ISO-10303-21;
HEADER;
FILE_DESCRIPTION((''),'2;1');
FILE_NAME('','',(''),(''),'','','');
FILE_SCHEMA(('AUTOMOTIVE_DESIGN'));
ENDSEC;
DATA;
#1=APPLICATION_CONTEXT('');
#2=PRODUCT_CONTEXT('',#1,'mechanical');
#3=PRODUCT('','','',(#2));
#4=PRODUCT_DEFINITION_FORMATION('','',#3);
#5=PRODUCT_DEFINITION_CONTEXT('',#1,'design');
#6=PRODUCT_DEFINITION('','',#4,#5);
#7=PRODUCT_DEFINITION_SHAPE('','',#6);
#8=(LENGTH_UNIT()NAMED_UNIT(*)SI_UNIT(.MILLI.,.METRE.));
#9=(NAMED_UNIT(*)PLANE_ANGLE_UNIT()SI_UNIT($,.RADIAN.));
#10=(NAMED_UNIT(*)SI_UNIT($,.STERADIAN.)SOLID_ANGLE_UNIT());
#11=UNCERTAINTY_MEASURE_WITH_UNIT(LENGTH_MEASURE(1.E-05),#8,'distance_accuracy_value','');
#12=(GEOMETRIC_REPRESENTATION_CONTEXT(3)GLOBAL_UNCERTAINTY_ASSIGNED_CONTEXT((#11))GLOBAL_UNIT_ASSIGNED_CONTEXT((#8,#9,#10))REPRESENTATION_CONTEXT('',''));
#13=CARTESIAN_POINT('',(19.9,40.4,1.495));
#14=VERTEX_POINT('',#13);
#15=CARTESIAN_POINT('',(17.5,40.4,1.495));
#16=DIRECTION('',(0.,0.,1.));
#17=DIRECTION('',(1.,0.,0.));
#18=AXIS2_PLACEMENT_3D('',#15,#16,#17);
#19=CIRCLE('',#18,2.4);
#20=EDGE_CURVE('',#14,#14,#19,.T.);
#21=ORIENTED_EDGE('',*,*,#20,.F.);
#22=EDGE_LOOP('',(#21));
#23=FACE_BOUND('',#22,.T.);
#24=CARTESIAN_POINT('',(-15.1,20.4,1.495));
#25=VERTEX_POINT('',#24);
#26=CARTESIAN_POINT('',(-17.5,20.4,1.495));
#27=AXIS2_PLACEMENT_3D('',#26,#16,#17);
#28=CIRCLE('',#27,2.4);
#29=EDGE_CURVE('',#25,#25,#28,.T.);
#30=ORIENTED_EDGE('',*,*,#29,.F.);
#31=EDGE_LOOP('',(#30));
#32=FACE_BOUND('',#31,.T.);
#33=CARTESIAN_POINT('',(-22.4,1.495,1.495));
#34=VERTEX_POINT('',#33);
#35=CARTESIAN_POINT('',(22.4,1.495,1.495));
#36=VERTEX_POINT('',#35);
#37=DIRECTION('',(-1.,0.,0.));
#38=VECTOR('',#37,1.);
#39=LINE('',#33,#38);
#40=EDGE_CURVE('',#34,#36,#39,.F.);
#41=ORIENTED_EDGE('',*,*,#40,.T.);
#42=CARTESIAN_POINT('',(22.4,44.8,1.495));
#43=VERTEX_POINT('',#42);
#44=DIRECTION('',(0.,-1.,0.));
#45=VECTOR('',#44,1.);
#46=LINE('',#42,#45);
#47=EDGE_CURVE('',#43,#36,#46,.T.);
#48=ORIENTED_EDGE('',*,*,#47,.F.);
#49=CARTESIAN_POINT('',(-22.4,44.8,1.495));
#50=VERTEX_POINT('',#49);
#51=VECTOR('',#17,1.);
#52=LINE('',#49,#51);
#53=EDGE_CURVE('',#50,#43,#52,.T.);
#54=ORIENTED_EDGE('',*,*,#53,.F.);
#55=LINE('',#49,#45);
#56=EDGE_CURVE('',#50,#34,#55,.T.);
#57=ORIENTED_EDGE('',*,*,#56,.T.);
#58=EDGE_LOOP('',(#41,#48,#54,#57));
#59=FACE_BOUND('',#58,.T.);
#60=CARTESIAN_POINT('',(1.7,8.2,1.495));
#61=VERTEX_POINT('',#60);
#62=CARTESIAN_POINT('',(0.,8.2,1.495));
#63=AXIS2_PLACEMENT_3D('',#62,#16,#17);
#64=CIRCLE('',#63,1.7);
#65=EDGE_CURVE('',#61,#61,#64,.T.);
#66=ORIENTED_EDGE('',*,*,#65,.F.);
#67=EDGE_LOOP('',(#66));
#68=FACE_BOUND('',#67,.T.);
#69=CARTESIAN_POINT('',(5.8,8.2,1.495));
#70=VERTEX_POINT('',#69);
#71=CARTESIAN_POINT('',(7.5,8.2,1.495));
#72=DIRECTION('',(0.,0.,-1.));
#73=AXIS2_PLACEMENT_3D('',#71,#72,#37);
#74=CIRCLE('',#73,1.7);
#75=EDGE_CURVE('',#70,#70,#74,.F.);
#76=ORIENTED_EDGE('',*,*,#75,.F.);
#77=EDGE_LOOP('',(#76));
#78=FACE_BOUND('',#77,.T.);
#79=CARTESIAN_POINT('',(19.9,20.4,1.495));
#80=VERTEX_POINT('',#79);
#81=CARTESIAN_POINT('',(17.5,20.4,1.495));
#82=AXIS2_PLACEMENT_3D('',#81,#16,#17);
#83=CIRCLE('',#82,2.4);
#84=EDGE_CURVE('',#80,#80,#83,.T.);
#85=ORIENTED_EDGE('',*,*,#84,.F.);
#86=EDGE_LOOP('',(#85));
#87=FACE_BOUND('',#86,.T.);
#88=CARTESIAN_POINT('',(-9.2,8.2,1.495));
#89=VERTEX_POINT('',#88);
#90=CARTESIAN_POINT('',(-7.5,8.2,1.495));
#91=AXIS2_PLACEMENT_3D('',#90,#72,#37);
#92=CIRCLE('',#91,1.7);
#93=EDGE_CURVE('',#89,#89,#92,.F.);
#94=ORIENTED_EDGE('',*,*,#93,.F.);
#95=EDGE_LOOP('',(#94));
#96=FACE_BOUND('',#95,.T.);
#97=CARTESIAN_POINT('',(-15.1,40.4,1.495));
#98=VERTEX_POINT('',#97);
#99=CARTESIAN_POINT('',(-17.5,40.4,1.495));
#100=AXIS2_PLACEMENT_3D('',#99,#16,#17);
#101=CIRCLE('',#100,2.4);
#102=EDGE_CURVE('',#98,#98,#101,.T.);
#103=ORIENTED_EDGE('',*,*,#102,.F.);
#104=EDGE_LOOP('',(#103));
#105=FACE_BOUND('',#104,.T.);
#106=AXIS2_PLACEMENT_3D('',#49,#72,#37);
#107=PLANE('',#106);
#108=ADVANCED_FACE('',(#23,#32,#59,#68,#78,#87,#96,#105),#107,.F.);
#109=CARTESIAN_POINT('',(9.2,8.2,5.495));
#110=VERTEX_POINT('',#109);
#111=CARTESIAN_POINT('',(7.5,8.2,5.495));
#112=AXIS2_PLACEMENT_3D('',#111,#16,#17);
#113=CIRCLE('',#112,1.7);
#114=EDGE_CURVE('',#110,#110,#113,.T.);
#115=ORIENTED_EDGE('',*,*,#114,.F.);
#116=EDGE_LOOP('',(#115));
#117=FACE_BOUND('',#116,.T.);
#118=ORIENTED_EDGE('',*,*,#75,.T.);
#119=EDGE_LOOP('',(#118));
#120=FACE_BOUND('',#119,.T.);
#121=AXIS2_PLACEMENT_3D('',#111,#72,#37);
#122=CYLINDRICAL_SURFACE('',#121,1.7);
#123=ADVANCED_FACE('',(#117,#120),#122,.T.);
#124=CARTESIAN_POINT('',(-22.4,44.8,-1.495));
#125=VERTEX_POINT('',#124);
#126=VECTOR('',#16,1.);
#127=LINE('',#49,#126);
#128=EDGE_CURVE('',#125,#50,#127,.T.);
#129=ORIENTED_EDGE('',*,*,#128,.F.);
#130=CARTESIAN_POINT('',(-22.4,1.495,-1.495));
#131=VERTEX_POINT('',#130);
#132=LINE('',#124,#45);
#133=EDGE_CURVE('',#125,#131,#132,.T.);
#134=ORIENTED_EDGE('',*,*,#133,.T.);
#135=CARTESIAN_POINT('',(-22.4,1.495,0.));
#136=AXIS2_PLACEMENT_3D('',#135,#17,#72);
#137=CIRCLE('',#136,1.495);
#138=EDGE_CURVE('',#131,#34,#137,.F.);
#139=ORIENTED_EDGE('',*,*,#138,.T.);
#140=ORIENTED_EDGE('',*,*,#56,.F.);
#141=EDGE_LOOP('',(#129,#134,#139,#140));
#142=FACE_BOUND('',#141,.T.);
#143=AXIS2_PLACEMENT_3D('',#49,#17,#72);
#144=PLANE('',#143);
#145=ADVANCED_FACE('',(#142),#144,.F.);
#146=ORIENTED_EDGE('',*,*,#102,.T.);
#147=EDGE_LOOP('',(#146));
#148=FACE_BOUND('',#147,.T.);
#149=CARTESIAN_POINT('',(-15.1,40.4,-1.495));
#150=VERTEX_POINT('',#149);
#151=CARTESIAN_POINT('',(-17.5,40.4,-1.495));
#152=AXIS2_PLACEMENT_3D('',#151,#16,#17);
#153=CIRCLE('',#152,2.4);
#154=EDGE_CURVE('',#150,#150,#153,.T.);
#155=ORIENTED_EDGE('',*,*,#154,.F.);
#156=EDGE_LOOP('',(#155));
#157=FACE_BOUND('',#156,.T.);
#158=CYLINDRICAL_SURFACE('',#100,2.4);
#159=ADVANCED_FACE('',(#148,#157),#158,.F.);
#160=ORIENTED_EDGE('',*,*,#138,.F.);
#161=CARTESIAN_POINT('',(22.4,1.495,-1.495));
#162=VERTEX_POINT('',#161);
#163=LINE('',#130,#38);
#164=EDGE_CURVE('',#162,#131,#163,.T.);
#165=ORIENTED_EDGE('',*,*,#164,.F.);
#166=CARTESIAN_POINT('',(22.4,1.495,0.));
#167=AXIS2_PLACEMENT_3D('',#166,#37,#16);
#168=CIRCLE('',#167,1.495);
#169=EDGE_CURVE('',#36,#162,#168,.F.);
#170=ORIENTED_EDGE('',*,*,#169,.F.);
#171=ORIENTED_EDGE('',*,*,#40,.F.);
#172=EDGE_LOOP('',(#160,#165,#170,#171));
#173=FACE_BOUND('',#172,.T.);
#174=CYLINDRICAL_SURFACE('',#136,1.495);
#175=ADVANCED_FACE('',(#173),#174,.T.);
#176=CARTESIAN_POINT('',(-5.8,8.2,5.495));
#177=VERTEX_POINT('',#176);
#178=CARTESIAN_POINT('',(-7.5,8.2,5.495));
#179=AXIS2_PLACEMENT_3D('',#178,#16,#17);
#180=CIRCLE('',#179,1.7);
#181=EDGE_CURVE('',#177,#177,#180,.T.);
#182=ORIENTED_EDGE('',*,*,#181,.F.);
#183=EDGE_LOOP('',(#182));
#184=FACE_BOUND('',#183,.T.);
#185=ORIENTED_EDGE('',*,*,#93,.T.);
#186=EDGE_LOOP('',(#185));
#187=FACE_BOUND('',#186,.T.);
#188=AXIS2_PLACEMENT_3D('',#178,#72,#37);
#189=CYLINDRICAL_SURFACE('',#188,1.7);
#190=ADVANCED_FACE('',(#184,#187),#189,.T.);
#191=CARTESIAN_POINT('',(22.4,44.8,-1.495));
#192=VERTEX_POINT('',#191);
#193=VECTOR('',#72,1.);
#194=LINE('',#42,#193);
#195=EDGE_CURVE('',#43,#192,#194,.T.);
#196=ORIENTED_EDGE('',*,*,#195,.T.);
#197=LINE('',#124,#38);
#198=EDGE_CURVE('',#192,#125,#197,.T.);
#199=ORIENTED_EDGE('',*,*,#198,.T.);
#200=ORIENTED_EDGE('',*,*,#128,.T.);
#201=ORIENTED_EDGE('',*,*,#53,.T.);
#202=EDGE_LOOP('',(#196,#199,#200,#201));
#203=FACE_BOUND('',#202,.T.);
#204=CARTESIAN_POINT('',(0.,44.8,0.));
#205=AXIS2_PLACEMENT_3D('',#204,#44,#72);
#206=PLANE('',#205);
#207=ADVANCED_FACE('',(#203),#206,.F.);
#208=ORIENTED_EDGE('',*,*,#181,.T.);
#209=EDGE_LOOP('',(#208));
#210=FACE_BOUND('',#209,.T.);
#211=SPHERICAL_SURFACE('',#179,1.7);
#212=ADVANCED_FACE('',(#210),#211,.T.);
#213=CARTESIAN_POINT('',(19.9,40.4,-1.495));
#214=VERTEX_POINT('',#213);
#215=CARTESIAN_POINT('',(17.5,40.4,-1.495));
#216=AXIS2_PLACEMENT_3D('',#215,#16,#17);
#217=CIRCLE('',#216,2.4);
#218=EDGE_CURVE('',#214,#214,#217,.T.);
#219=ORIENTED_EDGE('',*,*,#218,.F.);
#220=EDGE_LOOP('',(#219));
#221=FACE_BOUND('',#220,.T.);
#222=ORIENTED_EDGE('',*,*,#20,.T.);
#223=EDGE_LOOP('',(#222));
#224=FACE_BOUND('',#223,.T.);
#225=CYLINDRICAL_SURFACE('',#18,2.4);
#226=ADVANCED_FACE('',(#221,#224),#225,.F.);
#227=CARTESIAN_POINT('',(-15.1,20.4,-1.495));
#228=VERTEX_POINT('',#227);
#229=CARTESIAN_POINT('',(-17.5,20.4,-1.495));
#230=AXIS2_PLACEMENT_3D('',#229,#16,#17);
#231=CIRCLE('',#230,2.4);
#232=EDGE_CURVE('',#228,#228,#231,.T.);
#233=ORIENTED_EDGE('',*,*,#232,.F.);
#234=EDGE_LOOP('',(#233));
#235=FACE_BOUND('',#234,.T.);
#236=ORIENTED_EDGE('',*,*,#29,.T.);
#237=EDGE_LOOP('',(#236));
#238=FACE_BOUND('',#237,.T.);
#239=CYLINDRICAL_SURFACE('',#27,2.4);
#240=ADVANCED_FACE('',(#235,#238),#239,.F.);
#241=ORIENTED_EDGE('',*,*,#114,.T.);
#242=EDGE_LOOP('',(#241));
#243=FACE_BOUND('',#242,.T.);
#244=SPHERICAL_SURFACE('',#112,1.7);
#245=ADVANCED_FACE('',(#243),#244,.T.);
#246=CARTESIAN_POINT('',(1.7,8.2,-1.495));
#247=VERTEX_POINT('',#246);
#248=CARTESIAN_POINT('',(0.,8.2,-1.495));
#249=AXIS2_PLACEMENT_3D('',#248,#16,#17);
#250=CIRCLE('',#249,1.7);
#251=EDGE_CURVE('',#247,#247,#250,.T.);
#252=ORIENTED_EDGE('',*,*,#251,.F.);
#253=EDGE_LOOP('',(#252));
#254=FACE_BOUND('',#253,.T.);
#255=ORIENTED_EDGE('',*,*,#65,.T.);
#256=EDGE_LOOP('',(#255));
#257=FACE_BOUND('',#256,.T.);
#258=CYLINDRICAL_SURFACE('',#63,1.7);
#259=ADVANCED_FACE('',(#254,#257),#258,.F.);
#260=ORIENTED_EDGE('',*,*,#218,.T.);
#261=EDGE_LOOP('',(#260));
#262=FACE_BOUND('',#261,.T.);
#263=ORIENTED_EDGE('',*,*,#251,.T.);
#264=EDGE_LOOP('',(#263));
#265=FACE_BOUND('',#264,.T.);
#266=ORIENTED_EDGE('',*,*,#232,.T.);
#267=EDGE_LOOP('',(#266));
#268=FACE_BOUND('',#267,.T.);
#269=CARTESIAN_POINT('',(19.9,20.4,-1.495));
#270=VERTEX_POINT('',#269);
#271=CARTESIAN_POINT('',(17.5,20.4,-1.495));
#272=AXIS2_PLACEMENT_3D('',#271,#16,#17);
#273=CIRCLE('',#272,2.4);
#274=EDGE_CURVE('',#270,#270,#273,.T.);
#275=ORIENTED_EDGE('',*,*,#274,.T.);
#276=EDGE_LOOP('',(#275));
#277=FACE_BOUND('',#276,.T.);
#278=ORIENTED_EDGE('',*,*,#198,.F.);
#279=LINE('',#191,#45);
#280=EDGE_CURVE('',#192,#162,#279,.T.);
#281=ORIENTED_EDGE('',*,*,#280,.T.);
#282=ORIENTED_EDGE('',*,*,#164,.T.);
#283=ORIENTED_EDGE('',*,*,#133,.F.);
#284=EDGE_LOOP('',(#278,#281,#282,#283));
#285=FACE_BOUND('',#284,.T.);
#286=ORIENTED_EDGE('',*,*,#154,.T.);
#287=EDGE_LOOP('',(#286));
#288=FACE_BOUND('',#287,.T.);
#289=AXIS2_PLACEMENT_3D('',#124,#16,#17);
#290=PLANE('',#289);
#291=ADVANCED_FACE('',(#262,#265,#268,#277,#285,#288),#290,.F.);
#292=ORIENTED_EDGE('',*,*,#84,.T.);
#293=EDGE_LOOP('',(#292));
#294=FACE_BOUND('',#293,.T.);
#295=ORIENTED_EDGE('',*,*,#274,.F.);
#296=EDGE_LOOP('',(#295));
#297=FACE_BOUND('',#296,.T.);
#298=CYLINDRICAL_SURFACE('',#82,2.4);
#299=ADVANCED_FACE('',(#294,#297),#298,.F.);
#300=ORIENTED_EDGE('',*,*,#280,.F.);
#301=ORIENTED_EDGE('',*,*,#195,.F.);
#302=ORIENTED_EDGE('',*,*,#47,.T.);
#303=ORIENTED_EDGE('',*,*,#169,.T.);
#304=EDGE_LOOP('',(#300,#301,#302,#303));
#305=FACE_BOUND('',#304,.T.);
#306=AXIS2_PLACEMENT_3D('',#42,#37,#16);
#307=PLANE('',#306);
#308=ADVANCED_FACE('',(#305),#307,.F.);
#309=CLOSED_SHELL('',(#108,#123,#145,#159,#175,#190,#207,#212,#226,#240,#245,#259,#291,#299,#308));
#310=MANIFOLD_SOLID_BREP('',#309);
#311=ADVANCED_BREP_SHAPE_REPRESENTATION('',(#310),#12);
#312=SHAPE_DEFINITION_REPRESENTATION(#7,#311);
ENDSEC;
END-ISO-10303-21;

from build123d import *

# Parameters (mm, degrees)
SKETCH1_W            = 44.8
SKETCH1_H            = 2.99
BOSS_EXTRUDE1_DEPTH  = 44.8
FILLET1_RADIUS       = 1.495
FILLET1_LENGTH       = 44.8
M4_CLEARANCE_HOLE1_D = 4.8
M3_CLEARANCE_HOLE1_D = 3.4
SKETCH8_R            = 1.7
BOSS_EXTRUDE2_DEPTH  = 4
REVOLVE1_ANGLE       = 180
REVOLVE2_ANGLE       = 180


with BuildPart() as part:
    # Sketch1 → Boss-Extrude1 (new body)
    with BuildSketch(Plane(origin=(0, 0, 0), x_dir=(1, 0, 0), z_dir=(0, 1, 0))):
        Rectangle(SKETCH1_W, SKETCH1_H)
    extrude(amount=BOSS_EXTRUDE1_DEPTH)

    # Fillet1: full round fillet: the end face becomes a half cylinder, R = half its width
    fillet1_face = Plane((0, 0, 0), x_dir=(-1, 0, 0), z_dir=(0, -1, 0))  # on the end face: x along it, z out of the body
    fillet1_slab = fillet1_face.offset(-FILLET1_RADIUS / 2) * Box(FILLET1_LENGTH, 2 * FILLET1_RADIUS, FILLET1_RADIUS, mode=Mode.PRIVATE)  # the body's end, R deep
    fillet1_round = Plane((0, 1.495, 0), x_dir=(0, -1, 0), z_dir=(-1, 0, 0)) * Cylinder(FILLET1_RADIUS, FILLET1_LENGTH, mode=Mode.PRIVATE)  # its axis R under the face
    add(fillet1_slab - fillet1_round, mode=Mode.SUBTRACT)

    # M4 Clearance Hole1 (through all)
    with Locations(Plane.XY.offset(1.495)):
        with Locations((-17.5, 40.4), (-17.5, 20.4), (17.5, 20.4), (17.5, 40.4)):
            Hole(M4_CLEARANCE_HOLE1_D / 2)

    # M3 Clearance Hole1 (through all)
    with Locations(Plane.XY.offset(1.495)):
        with Locations((0, 8.2)):
            Hole(M3_CLEARANCE_HOLE1_D / 2)

    # Sketch8 → Boss-Extrude2 (add)
    with BuildSketch(Plane.XY.offset(1.495)):
        with Locations(Location((-7.5, 8.2, 0), (0, 0, 180))):
            Circle(SKETCH8_R)
        with Locations(Location((7.5, 8.2, 0), (0, 0, 180))):
            Circle(SKETCH8_R)
    extrude(amount=BOSS_EXTRUDE2_DEPTH)

    # Sketch9 → Revolve1 (revolve)
    with BuildSketch(Plane.XY.offset(5.495)):
        with BuildLine():
            Line((-7.5, 9.9), (-7.5, 6.5))
            ThreePointArc((-7.5, 6.5), (-5.8, 8.2), (-7.5, 9.9))
        make_face()
    revolve(axis=Axis((-7.5, 9.9, 5.495), (0, -1, 0)), revolution_arc=REVOLVE1_ANGLE)

    # Sketch10 → Revolve2 (revolve)
    with BuildSketch(Plane.XY.offset(5.495)):
        with BuildLine():
            Line((7.5, 9.9), (7.5, 6.5))
            ThreePointArc((7.5, 6.5), (9.2, 8.2), (7.5, 9.9))
        make_face()
    revolve(axis=Axis((7.5, 9.9, 5.495), (0, -1, 0)), revolution_arc=REVOLVE2_ANGLE)


solid = part.part
